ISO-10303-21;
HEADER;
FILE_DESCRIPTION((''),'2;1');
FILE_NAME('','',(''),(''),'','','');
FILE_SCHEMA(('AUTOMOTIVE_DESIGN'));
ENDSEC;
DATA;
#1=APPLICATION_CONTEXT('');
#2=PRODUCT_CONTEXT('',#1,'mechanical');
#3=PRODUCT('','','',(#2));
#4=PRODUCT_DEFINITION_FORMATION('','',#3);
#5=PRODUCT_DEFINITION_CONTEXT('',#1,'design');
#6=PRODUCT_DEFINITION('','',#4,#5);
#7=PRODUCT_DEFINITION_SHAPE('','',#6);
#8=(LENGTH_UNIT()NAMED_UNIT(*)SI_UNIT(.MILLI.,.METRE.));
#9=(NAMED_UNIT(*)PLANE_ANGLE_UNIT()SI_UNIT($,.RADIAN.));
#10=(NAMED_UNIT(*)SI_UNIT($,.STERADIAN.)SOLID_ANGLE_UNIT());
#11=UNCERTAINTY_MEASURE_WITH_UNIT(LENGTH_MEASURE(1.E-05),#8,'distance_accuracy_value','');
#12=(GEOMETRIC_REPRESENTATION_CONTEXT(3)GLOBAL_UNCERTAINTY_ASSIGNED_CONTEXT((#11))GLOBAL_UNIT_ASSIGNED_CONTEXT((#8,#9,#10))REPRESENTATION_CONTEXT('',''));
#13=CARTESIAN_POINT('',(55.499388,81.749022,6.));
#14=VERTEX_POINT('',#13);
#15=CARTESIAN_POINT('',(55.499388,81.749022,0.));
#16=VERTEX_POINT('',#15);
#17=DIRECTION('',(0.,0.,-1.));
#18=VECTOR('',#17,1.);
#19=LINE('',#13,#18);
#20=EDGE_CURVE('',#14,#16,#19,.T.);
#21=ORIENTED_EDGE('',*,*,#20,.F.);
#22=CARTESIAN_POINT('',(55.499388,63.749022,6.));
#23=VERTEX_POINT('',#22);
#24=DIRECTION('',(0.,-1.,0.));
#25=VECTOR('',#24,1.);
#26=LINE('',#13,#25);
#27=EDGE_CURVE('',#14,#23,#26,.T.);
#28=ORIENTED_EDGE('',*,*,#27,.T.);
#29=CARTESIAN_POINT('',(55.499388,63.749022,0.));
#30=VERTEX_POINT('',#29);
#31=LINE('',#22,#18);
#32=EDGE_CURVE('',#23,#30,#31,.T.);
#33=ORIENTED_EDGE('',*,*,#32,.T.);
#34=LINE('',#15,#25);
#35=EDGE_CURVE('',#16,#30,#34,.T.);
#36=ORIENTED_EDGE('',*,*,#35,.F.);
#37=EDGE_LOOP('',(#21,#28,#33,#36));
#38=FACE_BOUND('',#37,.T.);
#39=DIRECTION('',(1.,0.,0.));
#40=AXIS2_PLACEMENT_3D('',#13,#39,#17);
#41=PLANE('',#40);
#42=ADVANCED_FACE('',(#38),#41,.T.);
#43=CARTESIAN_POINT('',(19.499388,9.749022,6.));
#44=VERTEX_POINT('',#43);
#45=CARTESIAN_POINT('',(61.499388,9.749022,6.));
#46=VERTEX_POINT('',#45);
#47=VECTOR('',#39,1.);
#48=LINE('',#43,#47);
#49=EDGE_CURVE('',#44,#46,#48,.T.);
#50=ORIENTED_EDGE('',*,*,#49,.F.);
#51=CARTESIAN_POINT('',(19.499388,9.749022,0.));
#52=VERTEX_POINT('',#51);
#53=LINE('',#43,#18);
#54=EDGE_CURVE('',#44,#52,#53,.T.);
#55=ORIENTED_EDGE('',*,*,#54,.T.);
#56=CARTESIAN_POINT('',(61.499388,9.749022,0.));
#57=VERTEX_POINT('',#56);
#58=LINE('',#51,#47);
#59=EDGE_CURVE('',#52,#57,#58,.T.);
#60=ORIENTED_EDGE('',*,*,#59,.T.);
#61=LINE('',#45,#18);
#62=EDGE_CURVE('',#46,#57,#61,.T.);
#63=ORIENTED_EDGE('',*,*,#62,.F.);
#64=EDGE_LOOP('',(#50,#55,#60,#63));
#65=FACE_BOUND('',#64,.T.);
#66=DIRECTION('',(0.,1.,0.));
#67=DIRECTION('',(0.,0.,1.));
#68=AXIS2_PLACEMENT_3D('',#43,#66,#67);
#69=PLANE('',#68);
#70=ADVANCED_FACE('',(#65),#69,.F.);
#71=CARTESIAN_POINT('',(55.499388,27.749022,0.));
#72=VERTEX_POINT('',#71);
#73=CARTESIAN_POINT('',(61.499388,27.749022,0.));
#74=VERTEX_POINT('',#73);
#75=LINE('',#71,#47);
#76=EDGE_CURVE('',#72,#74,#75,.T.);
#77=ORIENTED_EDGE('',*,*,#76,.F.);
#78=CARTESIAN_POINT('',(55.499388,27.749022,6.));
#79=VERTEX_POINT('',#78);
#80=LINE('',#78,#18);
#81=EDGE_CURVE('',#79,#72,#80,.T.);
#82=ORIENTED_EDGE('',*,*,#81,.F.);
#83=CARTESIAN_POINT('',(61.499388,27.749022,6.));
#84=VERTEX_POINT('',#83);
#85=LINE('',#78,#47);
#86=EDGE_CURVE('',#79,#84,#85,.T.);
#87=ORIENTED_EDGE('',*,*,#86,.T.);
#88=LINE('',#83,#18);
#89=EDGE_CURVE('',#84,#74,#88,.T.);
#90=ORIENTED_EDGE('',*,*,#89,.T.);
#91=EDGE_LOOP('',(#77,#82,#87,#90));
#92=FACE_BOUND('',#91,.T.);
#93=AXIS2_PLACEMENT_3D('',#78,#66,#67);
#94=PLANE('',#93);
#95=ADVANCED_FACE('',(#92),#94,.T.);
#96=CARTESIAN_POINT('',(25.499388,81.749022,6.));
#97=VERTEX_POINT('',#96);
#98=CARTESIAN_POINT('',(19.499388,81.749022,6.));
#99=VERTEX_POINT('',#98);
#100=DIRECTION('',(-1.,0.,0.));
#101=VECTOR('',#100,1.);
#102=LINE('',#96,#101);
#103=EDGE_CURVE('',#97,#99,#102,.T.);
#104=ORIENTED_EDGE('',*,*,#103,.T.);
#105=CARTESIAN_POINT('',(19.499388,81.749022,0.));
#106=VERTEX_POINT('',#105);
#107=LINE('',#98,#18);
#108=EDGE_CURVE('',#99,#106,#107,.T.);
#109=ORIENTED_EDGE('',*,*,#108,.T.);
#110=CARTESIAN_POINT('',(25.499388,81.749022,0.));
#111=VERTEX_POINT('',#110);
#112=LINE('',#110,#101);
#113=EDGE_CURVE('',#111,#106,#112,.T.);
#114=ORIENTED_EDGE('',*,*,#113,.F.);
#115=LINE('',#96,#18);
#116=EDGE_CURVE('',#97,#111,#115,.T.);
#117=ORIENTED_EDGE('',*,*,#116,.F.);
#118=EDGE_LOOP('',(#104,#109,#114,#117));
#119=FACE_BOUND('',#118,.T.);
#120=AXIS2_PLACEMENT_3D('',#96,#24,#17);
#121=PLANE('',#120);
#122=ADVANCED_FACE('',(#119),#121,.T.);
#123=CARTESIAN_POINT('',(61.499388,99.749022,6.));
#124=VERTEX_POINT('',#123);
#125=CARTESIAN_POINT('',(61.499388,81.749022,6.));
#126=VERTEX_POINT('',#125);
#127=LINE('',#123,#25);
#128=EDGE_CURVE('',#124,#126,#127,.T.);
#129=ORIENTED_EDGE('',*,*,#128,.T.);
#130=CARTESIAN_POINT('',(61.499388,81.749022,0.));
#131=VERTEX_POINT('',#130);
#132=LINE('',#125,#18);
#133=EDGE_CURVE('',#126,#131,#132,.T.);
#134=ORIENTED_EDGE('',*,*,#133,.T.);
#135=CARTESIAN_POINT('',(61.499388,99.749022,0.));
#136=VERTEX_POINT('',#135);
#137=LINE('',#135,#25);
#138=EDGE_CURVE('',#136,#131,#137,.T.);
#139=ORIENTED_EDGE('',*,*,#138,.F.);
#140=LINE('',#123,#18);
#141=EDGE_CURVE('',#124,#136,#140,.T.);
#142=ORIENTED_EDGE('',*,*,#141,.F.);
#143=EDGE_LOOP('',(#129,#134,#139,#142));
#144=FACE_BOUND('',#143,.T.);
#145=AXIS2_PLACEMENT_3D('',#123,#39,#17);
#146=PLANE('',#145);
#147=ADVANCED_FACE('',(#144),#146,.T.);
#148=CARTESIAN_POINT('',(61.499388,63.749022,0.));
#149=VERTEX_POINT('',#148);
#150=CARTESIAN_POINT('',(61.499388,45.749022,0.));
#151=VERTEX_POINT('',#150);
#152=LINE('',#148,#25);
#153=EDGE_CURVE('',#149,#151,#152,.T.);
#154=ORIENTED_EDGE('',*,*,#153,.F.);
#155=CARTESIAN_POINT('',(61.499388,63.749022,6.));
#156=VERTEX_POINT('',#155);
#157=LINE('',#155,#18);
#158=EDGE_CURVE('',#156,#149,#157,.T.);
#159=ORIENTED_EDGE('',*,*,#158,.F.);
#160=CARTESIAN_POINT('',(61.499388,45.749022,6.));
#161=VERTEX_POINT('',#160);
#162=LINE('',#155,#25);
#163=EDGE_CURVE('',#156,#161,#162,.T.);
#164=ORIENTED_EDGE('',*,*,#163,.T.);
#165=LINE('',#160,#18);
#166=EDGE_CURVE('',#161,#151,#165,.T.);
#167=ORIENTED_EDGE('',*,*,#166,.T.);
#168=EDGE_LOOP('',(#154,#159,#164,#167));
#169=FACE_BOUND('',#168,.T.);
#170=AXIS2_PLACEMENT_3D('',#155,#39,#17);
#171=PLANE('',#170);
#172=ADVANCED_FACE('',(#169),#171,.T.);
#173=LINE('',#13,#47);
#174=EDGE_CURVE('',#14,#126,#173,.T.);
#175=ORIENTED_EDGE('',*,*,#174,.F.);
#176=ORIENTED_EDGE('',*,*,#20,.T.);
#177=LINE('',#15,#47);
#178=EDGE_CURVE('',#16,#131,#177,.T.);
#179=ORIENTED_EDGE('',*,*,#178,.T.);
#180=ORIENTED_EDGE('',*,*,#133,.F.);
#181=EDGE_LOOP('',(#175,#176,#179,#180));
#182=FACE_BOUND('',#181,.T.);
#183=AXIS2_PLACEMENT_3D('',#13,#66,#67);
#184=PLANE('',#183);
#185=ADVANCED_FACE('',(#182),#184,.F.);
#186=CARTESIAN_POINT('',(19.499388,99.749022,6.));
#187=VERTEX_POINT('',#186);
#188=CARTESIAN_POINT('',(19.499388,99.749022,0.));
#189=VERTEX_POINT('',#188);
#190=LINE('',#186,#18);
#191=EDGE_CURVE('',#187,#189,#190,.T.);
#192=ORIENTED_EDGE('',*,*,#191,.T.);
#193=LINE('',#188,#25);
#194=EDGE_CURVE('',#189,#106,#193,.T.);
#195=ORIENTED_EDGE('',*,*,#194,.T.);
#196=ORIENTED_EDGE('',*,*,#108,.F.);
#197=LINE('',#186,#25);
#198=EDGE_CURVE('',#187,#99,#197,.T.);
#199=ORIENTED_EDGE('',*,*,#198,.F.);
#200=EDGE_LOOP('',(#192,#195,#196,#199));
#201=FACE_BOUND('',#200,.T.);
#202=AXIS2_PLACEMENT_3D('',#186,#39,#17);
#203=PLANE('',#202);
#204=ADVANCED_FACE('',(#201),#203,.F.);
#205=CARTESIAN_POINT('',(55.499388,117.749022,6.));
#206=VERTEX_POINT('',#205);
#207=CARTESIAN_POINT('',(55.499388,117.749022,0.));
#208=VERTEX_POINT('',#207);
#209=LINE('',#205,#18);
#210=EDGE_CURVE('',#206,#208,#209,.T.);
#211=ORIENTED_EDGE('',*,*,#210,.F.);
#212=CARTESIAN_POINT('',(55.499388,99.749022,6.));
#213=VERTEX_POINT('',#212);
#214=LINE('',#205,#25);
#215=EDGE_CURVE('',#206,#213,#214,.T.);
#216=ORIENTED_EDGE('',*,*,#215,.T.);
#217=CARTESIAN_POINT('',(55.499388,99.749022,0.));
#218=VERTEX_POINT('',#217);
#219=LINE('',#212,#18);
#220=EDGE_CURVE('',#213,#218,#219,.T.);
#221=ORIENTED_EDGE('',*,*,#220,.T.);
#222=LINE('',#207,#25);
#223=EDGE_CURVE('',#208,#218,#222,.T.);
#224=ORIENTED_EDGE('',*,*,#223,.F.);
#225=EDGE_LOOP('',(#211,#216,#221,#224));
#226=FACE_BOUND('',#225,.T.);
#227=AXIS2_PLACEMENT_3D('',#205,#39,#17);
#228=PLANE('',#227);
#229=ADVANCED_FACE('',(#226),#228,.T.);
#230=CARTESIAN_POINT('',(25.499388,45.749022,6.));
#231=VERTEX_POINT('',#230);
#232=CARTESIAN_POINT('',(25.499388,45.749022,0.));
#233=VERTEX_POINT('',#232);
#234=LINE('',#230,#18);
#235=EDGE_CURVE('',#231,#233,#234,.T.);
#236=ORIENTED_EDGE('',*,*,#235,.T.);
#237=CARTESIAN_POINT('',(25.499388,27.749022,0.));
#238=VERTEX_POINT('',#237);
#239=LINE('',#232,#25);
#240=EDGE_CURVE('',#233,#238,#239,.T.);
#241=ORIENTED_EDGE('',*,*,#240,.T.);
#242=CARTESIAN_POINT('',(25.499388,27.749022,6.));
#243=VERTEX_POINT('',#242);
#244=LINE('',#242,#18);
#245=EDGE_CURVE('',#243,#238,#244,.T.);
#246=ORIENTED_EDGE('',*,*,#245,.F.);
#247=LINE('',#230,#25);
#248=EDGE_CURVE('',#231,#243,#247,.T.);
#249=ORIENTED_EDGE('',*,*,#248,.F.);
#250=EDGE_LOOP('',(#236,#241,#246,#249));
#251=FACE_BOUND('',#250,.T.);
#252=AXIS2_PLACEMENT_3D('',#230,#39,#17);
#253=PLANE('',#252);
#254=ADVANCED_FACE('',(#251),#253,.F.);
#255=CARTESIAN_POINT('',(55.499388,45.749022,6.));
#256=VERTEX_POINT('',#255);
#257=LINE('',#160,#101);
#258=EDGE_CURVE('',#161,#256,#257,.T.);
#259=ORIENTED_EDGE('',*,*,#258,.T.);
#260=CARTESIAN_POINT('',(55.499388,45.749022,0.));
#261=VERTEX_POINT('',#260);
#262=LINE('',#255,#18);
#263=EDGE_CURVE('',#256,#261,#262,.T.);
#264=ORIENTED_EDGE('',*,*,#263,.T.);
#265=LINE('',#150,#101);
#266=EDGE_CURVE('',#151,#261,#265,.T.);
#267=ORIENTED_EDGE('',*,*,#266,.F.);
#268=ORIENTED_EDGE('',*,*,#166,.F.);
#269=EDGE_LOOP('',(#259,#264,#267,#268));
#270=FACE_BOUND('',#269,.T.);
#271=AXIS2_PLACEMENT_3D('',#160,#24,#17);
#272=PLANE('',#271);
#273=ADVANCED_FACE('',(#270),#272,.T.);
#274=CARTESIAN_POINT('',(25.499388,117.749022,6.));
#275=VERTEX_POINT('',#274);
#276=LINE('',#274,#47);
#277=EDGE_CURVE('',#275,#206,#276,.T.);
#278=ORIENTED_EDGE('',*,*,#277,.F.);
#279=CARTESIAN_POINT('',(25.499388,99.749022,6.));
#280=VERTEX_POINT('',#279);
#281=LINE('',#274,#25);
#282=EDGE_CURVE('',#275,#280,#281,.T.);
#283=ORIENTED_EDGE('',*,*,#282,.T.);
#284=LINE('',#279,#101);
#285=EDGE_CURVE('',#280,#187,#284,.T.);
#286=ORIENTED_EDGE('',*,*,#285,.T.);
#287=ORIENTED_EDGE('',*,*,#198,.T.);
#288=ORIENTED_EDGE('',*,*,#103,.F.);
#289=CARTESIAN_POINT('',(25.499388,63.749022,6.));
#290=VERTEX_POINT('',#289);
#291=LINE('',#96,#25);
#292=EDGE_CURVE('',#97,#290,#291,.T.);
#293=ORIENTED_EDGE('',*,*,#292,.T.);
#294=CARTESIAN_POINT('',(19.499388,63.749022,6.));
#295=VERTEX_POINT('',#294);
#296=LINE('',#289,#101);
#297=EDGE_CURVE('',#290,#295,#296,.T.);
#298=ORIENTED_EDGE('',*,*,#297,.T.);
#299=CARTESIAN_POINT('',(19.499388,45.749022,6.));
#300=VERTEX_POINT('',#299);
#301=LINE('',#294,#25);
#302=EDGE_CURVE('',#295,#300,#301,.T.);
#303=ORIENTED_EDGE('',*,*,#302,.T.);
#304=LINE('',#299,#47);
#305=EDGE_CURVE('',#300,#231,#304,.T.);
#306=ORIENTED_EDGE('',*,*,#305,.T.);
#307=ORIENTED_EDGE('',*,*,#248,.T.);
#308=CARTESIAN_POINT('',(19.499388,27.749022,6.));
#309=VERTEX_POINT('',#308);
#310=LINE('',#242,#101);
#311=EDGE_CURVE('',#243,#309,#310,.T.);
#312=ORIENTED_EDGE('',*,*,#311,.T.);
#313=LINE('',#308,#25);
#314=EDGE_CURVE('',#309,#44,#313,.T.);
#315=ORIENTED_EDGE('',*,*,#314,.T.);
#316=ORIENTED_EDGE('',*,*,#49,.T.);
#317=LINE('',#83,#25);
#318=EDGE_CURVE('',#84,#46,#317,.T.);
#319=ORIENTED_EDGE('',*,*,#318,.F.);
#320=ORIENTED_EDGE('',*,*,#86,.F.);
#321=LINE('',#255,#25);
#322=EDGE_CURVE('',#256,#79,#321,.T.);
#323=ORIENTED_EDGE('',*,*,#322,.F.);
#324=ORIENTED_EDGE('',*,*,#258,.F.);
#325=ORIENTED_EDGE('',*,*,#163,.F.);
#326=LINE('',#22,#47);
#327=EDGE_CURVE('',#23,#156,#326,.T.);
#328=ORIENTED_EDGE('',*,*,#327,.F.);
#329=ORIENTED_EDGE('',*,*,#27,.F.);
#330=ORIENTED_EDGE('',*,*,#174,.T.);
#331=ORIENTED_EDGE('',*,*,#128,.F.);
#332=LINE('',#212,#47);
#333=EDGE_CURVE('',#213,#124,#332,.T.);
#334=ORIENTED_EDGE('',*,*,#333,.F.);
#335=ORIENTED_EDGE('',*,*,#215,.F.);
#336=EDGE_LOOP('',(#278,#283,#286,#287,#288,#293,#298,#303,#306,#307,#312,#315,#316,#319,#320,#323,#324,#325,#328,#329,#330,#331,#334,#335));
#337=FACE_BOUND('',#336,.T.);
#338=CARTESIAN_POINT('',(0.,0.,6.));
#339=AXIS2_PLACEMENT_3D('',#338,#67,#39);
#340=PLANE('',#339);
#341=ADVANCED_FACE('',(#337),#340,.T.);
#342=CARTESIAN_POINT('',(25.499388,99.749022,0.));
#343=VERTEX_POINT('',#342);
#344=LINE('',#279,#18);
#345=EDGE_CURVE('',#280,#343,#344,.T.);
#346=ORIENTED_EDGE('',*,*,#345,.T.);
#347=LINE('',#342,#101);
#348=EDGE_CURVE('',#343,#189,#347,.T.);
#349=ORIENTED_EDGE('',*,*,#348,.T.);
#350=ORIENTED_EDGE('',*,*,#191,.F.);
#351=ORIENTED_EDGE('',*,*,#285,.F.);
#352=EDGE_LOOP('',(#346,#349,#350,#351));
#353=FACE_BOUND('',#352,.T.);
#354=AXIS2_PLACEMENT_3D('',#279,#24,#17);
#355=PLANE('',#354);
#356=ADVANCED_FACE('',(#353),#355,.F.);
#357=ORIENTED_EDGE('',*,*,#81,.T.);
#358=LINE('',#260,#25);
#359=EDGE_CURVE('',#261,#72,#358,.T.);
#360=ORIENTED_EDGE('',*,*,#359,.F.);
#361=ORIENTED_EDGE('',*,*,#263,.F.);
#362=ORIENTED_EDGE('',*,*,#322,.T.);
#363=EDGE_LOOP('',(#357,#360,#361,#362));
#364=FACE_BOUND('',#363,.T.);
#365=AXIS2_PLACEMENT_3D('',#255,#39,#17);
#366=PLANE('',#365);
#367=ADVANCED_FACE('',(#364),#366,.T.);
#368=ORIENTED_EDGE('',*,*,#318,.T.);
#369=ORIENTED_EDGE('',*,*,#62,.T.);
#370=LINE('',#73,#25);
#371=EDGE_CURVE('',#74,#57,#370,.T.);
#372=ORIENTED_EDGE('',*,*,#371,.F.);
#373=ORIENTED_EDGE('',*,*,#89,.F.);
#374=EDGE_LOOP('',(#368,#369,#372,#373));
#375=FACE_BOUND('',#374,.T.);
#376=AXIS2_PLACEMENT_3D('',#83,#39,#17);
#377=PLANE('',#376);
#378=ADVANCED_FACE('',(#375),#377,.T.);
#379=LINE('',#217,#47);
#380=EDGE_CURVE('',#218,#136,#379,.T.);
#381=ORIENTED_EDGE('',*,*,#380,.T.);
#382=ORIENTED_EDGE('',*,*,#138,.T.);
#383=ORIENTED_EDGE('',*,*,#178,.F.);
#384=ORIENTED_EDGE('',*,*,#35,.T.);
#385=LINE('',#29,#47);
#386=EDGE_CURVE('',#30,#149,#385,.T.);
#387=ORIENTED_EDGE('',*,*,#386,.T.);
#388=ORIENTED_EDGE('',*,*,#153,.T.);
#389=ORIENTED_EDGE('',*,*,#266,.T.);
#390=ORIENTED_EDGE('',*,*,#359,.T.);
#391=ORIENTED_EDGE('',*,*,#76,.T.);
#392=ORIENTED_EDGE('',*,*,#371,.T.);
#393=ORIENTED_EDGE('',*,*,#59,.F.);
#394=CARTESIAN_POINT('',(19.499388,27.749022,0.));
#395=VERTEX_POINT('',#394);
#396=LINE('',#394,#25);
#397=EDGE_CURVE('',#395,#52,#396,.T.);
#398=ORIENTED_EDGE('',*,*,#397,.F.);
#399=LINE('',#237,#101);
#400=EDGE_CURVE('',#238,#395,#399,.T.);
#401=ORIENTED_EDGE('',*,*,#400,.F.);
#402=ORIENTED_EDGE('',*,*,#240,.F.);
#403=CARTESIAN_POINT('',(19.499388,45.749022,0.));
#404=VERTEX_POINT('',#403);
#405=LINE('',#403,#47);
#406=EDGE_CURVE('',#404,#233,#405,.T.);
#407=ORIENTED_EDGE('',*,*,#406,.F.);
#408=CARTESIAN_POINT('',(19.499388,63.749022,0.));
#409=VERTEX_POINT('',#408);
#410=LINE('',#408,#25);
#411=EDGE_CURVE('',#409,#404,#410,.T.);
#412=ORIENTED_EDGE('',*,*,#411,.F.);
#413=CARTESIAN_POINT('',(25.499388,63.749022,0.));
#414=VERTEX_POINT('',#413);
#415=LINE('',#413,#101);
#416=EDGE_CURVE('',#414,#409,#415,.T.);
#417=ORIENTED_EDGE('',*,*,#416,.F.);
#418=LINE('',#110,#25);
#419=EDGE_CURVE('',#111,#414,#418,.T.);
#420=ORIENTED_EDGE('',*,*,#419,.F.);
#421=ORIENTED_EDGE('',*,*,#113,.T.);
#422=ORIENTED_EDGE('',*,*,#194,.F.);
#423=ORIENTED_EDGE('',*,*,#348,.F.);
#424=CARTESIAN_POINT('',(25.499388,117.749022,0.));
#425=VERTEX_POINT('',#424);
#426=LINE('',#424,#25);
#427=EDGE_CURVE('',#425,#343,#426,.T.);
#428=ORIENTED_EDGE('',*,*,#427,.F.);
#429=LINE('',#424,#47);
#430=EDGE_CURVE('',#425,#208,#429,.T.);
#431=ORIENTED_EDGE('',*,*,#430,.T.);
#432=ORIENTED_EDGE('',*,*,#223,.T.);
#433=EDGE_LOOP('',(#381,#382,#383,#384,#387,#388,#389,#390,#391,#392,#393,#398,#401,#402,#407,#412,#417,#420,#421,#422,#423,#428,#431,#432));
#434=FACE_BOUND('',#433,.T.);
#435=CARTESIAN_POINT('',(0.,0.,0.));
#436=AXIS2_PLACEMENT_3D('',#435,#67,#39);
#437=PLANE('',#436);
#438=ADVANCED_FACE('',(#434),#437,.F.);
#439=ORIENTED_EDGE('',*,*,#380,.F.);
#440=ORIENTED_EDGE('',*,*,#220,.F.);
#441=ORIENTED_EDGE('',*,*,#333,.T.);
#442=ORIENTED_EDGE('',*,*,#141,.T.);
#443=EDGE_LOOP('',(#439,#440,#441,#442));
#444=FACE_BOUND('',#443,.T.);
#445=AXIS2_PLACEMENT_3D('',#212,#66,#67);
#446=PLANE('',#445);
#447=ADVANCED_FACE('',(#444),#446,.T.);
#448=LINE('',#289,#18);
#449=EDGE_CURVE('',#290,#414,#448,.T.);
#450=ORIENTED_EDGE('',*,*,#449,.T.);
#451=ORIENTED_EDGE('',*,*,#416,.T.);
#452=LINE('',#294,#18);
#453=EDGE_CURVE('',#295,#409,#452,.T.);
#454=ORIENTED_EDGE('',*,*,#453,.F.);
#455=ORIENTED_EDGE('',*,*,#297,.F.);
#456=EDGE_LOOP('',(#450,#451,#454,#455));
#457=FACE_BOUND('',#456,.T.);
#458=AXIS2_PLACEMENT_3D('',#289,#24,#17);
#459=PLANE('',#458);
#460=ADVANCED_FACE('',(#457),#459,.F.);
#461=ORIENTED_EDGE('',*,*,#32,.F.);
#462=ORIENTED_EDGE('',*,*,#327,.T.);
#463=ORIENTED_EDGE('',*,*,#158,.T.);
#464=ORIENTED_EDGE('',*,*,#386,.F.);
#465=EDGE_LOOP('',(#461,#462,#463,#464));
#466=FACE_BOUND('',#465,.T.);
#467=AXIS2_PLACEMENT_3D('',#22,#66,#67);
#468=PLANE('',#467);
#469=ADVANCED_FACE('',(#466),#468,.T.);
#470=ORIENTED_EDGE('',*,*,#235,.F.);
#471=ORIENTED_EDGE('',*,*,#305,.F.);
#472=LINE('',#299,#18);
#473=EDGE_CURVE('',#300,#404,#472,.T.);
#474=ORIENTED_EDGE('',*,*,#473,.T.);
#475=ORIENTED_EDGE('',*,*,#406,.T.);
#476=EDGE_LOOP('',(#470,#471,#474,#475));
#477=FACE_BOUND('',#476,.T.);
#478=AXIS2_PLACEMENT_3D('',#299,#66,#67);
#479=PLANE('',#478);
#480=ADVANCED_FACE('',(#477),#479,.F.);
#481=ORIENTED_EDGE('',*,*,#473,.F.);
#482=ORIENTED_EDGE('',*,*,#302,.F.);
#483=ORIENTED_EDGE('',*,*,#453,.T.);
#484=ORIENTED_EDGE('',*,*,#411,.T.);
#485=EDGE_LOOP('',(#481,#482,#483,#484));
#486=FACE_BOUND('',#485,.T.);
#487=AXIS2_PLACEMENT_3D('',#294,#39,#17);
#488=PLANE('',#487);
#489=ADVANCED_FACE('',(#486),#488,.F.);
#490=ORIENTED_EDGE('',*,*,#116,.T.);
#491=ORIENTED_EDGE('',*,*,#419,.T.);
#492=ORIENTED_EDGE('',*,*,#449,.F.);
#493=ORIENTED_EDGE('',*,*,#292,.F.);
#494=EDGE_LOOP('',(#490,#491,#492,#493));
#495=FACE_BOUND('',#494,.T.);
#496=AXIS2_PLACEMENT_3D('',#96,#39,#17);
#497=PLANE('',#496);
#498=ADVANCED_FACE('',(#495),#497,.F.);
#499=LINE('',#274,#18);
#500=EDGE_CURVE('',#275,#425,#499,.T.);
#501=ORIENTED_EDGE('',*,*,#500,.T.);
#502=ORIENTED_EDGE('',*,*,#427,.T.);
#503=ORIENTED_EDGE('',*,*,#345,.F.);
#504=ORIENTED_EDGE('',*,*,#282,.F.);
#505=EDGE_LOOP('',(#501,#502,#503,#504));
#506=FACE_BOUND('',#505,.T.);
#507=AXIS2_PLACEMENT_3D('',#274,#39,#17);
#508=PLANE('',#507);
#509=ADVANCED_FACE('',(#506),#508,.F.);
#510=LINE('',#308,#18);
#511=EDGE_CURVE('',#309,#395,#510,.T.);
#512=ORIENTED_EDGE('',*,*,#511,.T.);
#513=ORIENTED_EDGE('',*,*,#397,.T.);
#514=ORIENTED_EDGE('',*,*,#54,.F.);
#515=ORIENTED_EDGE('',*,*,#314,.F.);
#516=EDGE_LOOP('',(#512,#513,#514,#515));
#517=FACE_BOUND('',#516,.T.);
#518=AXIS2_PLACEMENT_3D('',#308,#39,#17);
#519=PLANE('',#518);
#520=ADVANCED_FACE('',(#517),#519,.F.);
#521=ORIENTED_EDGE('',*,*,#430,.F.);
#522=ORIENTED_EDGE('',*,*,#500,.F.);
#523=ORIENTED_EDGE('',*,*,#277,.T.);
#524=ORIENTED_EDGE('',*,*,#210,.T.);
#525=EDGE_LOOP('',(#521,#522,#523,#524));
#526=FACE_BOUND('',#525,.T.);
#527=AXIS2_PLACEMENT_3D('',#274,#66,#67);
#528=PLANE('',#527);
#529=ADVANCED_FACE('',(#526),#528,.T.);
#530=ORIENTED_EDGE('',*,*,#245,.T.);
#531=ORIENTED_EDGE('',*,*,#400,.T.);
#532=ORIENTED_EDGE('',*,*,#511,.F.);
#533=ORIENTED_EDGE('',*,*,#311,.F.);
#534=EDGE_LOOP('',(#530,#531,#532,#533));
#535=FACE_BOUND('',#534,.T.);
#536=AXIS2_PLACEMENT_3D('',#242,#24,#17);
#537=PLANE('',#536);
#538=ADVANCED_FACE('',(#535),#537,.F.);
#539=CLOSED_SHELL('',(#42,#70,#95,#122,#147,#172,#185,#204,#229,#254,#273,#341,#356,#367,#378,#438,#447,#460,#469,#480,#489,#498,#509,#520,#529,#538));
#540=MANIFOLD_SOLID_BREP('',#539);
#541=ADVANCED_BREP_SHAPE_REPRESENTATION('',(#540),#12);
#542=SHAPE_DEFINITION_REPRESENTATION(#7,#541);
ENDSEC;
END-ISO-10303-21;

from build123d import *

# Parameters (mm, degrees)
BOSS_EXTRUDE1_DEPTH = 6


with BuildPart() as part:
    # Model → Boss-Extrude1 (new body)
    with BuildSketch(Plane.XY):
        Polygon((25.499387766, 117.749022314), (25.499387766, 99.749022314), (19.499387766, 99.749022314), (19.499387766, 81.749022314), (25.499387766, 81.749022314), (25.499387766, 63.749022314), (19.499387766, 63.749022314), (19.499387766, 45.749022314), (25.499387766, 45.749022314), (25.499387766, 27.749022314), (19.499387766, 27.749022314), (19.499387766, 9.749022314), (61.499387766, 9.749022314), (61.499387766, 27.749022314), (55.499387766, 27.749022314), (55.499387766, 45.749022314), (61.499387766, 45.749022314), (61.499387766, 63.749022314), (55.499387766, 63.749022314), (55.499387766, 81.749022314), (61.499387766, 81.749022314), (61.499387766, 99.749022314), (55.499387766, 99.749022314), (55.499387766, 117.749022314), align=None)
    extrude(amount=BOSS_EXTRUDE1_DEPTH)


solid = part.part
